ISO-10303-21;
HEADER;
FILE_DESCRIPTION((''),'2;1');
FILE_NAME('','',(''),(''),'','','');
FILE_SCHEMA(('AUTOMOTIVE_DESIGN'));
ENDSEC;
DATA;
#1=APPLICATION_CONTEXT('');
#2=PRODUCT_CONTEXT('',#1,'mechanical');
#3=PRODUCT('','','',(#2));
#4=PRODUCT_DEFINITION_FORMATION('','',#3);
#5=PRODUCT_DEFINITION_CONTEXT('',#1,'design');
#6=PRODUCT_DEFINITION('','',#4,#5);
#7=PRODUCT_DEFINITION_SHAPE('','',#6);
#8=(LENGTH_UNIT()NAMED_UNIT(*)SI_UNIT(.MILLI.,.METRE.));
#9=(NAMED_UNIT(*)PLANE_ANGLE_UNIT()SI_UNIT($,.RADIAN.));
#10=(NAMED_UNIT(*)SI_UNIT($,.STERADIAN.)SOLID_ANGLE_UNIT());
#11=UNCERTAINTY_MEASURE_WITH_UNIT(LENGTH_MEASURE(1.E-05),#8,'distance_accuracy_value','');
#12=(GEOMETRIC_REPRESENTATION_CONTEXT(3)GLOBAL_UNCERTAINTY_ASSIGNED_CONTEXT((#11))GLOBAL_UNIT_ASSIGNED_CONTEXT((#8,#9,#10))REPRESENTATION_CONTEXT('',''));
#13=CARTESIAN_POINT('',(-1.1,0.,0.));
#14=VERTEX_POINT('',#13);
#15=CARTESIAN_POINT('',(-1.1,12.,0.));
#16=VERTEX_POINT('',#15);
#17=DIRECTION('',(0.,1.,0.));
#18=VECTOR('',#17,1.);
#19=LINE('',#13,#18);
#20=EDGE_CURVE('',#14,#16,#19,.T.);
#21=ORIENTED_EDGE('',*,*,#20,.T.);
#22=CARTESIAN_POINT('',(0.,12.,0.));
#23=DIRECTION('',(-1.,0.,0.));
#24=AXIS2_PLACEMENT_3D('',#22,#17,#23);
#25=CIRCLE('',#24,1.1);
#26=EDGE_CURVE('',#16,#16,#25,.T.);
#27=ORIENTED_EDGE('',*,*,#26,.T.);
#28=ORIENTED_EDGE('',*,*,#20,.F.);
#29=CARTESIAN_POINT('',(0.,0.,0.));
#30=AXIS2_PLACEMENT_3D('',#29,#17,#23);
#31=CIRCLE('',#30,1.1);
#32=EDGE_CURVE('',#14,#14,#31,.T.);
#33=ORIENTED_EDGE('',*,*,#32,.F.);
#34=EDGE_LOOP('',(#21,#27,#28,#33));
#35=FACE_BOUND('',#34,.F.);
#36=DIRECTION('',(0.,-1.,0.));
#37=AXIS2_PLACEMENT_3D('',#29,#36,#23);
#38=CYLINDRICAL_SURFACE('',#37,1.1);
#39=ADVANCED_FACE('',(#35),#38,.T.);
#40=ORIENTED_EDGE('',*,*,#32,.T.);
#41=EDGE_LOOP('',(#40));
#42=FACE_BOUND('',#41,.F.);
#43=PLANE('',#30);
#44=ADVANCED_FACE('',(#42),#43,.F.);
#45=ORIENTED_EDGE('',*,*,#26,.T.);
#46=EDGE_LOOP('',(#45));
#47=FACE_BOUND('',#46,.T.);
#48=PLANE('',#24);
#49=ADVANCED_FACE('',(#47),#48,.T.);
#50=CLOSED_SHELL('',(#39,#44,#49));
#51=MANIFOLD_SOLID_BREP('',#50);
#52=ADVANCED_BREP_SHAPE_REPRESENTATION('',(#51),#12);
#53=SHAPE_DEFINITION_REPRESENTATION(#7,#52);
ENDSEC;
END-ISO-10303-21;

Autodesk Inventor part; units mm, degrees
ref_plane "YZ Plane" through (0, 0, 0) normal (1, 0, 0) x (0, 1, 0)
ref_plane "XZ Plane" through (0, 0, 0) normal (0, 1, 0) x (-1, 0, 0)
ref_plane "XY Plane" through (0, 0, 0) normal (0, 0, 1) x (1, 0, 0)
sketch "Sketch1" plane through (0, 0, 0) normal (0, 1, 0) x (-1, 0, 0)
  circle A0 centre (0, 0) radius 1.1
  dimension "d0" = 2.2
extrude "Extrusion1" add sketch "Sketch1" along normal blind 12
properties part number "tycinka_12mm"
